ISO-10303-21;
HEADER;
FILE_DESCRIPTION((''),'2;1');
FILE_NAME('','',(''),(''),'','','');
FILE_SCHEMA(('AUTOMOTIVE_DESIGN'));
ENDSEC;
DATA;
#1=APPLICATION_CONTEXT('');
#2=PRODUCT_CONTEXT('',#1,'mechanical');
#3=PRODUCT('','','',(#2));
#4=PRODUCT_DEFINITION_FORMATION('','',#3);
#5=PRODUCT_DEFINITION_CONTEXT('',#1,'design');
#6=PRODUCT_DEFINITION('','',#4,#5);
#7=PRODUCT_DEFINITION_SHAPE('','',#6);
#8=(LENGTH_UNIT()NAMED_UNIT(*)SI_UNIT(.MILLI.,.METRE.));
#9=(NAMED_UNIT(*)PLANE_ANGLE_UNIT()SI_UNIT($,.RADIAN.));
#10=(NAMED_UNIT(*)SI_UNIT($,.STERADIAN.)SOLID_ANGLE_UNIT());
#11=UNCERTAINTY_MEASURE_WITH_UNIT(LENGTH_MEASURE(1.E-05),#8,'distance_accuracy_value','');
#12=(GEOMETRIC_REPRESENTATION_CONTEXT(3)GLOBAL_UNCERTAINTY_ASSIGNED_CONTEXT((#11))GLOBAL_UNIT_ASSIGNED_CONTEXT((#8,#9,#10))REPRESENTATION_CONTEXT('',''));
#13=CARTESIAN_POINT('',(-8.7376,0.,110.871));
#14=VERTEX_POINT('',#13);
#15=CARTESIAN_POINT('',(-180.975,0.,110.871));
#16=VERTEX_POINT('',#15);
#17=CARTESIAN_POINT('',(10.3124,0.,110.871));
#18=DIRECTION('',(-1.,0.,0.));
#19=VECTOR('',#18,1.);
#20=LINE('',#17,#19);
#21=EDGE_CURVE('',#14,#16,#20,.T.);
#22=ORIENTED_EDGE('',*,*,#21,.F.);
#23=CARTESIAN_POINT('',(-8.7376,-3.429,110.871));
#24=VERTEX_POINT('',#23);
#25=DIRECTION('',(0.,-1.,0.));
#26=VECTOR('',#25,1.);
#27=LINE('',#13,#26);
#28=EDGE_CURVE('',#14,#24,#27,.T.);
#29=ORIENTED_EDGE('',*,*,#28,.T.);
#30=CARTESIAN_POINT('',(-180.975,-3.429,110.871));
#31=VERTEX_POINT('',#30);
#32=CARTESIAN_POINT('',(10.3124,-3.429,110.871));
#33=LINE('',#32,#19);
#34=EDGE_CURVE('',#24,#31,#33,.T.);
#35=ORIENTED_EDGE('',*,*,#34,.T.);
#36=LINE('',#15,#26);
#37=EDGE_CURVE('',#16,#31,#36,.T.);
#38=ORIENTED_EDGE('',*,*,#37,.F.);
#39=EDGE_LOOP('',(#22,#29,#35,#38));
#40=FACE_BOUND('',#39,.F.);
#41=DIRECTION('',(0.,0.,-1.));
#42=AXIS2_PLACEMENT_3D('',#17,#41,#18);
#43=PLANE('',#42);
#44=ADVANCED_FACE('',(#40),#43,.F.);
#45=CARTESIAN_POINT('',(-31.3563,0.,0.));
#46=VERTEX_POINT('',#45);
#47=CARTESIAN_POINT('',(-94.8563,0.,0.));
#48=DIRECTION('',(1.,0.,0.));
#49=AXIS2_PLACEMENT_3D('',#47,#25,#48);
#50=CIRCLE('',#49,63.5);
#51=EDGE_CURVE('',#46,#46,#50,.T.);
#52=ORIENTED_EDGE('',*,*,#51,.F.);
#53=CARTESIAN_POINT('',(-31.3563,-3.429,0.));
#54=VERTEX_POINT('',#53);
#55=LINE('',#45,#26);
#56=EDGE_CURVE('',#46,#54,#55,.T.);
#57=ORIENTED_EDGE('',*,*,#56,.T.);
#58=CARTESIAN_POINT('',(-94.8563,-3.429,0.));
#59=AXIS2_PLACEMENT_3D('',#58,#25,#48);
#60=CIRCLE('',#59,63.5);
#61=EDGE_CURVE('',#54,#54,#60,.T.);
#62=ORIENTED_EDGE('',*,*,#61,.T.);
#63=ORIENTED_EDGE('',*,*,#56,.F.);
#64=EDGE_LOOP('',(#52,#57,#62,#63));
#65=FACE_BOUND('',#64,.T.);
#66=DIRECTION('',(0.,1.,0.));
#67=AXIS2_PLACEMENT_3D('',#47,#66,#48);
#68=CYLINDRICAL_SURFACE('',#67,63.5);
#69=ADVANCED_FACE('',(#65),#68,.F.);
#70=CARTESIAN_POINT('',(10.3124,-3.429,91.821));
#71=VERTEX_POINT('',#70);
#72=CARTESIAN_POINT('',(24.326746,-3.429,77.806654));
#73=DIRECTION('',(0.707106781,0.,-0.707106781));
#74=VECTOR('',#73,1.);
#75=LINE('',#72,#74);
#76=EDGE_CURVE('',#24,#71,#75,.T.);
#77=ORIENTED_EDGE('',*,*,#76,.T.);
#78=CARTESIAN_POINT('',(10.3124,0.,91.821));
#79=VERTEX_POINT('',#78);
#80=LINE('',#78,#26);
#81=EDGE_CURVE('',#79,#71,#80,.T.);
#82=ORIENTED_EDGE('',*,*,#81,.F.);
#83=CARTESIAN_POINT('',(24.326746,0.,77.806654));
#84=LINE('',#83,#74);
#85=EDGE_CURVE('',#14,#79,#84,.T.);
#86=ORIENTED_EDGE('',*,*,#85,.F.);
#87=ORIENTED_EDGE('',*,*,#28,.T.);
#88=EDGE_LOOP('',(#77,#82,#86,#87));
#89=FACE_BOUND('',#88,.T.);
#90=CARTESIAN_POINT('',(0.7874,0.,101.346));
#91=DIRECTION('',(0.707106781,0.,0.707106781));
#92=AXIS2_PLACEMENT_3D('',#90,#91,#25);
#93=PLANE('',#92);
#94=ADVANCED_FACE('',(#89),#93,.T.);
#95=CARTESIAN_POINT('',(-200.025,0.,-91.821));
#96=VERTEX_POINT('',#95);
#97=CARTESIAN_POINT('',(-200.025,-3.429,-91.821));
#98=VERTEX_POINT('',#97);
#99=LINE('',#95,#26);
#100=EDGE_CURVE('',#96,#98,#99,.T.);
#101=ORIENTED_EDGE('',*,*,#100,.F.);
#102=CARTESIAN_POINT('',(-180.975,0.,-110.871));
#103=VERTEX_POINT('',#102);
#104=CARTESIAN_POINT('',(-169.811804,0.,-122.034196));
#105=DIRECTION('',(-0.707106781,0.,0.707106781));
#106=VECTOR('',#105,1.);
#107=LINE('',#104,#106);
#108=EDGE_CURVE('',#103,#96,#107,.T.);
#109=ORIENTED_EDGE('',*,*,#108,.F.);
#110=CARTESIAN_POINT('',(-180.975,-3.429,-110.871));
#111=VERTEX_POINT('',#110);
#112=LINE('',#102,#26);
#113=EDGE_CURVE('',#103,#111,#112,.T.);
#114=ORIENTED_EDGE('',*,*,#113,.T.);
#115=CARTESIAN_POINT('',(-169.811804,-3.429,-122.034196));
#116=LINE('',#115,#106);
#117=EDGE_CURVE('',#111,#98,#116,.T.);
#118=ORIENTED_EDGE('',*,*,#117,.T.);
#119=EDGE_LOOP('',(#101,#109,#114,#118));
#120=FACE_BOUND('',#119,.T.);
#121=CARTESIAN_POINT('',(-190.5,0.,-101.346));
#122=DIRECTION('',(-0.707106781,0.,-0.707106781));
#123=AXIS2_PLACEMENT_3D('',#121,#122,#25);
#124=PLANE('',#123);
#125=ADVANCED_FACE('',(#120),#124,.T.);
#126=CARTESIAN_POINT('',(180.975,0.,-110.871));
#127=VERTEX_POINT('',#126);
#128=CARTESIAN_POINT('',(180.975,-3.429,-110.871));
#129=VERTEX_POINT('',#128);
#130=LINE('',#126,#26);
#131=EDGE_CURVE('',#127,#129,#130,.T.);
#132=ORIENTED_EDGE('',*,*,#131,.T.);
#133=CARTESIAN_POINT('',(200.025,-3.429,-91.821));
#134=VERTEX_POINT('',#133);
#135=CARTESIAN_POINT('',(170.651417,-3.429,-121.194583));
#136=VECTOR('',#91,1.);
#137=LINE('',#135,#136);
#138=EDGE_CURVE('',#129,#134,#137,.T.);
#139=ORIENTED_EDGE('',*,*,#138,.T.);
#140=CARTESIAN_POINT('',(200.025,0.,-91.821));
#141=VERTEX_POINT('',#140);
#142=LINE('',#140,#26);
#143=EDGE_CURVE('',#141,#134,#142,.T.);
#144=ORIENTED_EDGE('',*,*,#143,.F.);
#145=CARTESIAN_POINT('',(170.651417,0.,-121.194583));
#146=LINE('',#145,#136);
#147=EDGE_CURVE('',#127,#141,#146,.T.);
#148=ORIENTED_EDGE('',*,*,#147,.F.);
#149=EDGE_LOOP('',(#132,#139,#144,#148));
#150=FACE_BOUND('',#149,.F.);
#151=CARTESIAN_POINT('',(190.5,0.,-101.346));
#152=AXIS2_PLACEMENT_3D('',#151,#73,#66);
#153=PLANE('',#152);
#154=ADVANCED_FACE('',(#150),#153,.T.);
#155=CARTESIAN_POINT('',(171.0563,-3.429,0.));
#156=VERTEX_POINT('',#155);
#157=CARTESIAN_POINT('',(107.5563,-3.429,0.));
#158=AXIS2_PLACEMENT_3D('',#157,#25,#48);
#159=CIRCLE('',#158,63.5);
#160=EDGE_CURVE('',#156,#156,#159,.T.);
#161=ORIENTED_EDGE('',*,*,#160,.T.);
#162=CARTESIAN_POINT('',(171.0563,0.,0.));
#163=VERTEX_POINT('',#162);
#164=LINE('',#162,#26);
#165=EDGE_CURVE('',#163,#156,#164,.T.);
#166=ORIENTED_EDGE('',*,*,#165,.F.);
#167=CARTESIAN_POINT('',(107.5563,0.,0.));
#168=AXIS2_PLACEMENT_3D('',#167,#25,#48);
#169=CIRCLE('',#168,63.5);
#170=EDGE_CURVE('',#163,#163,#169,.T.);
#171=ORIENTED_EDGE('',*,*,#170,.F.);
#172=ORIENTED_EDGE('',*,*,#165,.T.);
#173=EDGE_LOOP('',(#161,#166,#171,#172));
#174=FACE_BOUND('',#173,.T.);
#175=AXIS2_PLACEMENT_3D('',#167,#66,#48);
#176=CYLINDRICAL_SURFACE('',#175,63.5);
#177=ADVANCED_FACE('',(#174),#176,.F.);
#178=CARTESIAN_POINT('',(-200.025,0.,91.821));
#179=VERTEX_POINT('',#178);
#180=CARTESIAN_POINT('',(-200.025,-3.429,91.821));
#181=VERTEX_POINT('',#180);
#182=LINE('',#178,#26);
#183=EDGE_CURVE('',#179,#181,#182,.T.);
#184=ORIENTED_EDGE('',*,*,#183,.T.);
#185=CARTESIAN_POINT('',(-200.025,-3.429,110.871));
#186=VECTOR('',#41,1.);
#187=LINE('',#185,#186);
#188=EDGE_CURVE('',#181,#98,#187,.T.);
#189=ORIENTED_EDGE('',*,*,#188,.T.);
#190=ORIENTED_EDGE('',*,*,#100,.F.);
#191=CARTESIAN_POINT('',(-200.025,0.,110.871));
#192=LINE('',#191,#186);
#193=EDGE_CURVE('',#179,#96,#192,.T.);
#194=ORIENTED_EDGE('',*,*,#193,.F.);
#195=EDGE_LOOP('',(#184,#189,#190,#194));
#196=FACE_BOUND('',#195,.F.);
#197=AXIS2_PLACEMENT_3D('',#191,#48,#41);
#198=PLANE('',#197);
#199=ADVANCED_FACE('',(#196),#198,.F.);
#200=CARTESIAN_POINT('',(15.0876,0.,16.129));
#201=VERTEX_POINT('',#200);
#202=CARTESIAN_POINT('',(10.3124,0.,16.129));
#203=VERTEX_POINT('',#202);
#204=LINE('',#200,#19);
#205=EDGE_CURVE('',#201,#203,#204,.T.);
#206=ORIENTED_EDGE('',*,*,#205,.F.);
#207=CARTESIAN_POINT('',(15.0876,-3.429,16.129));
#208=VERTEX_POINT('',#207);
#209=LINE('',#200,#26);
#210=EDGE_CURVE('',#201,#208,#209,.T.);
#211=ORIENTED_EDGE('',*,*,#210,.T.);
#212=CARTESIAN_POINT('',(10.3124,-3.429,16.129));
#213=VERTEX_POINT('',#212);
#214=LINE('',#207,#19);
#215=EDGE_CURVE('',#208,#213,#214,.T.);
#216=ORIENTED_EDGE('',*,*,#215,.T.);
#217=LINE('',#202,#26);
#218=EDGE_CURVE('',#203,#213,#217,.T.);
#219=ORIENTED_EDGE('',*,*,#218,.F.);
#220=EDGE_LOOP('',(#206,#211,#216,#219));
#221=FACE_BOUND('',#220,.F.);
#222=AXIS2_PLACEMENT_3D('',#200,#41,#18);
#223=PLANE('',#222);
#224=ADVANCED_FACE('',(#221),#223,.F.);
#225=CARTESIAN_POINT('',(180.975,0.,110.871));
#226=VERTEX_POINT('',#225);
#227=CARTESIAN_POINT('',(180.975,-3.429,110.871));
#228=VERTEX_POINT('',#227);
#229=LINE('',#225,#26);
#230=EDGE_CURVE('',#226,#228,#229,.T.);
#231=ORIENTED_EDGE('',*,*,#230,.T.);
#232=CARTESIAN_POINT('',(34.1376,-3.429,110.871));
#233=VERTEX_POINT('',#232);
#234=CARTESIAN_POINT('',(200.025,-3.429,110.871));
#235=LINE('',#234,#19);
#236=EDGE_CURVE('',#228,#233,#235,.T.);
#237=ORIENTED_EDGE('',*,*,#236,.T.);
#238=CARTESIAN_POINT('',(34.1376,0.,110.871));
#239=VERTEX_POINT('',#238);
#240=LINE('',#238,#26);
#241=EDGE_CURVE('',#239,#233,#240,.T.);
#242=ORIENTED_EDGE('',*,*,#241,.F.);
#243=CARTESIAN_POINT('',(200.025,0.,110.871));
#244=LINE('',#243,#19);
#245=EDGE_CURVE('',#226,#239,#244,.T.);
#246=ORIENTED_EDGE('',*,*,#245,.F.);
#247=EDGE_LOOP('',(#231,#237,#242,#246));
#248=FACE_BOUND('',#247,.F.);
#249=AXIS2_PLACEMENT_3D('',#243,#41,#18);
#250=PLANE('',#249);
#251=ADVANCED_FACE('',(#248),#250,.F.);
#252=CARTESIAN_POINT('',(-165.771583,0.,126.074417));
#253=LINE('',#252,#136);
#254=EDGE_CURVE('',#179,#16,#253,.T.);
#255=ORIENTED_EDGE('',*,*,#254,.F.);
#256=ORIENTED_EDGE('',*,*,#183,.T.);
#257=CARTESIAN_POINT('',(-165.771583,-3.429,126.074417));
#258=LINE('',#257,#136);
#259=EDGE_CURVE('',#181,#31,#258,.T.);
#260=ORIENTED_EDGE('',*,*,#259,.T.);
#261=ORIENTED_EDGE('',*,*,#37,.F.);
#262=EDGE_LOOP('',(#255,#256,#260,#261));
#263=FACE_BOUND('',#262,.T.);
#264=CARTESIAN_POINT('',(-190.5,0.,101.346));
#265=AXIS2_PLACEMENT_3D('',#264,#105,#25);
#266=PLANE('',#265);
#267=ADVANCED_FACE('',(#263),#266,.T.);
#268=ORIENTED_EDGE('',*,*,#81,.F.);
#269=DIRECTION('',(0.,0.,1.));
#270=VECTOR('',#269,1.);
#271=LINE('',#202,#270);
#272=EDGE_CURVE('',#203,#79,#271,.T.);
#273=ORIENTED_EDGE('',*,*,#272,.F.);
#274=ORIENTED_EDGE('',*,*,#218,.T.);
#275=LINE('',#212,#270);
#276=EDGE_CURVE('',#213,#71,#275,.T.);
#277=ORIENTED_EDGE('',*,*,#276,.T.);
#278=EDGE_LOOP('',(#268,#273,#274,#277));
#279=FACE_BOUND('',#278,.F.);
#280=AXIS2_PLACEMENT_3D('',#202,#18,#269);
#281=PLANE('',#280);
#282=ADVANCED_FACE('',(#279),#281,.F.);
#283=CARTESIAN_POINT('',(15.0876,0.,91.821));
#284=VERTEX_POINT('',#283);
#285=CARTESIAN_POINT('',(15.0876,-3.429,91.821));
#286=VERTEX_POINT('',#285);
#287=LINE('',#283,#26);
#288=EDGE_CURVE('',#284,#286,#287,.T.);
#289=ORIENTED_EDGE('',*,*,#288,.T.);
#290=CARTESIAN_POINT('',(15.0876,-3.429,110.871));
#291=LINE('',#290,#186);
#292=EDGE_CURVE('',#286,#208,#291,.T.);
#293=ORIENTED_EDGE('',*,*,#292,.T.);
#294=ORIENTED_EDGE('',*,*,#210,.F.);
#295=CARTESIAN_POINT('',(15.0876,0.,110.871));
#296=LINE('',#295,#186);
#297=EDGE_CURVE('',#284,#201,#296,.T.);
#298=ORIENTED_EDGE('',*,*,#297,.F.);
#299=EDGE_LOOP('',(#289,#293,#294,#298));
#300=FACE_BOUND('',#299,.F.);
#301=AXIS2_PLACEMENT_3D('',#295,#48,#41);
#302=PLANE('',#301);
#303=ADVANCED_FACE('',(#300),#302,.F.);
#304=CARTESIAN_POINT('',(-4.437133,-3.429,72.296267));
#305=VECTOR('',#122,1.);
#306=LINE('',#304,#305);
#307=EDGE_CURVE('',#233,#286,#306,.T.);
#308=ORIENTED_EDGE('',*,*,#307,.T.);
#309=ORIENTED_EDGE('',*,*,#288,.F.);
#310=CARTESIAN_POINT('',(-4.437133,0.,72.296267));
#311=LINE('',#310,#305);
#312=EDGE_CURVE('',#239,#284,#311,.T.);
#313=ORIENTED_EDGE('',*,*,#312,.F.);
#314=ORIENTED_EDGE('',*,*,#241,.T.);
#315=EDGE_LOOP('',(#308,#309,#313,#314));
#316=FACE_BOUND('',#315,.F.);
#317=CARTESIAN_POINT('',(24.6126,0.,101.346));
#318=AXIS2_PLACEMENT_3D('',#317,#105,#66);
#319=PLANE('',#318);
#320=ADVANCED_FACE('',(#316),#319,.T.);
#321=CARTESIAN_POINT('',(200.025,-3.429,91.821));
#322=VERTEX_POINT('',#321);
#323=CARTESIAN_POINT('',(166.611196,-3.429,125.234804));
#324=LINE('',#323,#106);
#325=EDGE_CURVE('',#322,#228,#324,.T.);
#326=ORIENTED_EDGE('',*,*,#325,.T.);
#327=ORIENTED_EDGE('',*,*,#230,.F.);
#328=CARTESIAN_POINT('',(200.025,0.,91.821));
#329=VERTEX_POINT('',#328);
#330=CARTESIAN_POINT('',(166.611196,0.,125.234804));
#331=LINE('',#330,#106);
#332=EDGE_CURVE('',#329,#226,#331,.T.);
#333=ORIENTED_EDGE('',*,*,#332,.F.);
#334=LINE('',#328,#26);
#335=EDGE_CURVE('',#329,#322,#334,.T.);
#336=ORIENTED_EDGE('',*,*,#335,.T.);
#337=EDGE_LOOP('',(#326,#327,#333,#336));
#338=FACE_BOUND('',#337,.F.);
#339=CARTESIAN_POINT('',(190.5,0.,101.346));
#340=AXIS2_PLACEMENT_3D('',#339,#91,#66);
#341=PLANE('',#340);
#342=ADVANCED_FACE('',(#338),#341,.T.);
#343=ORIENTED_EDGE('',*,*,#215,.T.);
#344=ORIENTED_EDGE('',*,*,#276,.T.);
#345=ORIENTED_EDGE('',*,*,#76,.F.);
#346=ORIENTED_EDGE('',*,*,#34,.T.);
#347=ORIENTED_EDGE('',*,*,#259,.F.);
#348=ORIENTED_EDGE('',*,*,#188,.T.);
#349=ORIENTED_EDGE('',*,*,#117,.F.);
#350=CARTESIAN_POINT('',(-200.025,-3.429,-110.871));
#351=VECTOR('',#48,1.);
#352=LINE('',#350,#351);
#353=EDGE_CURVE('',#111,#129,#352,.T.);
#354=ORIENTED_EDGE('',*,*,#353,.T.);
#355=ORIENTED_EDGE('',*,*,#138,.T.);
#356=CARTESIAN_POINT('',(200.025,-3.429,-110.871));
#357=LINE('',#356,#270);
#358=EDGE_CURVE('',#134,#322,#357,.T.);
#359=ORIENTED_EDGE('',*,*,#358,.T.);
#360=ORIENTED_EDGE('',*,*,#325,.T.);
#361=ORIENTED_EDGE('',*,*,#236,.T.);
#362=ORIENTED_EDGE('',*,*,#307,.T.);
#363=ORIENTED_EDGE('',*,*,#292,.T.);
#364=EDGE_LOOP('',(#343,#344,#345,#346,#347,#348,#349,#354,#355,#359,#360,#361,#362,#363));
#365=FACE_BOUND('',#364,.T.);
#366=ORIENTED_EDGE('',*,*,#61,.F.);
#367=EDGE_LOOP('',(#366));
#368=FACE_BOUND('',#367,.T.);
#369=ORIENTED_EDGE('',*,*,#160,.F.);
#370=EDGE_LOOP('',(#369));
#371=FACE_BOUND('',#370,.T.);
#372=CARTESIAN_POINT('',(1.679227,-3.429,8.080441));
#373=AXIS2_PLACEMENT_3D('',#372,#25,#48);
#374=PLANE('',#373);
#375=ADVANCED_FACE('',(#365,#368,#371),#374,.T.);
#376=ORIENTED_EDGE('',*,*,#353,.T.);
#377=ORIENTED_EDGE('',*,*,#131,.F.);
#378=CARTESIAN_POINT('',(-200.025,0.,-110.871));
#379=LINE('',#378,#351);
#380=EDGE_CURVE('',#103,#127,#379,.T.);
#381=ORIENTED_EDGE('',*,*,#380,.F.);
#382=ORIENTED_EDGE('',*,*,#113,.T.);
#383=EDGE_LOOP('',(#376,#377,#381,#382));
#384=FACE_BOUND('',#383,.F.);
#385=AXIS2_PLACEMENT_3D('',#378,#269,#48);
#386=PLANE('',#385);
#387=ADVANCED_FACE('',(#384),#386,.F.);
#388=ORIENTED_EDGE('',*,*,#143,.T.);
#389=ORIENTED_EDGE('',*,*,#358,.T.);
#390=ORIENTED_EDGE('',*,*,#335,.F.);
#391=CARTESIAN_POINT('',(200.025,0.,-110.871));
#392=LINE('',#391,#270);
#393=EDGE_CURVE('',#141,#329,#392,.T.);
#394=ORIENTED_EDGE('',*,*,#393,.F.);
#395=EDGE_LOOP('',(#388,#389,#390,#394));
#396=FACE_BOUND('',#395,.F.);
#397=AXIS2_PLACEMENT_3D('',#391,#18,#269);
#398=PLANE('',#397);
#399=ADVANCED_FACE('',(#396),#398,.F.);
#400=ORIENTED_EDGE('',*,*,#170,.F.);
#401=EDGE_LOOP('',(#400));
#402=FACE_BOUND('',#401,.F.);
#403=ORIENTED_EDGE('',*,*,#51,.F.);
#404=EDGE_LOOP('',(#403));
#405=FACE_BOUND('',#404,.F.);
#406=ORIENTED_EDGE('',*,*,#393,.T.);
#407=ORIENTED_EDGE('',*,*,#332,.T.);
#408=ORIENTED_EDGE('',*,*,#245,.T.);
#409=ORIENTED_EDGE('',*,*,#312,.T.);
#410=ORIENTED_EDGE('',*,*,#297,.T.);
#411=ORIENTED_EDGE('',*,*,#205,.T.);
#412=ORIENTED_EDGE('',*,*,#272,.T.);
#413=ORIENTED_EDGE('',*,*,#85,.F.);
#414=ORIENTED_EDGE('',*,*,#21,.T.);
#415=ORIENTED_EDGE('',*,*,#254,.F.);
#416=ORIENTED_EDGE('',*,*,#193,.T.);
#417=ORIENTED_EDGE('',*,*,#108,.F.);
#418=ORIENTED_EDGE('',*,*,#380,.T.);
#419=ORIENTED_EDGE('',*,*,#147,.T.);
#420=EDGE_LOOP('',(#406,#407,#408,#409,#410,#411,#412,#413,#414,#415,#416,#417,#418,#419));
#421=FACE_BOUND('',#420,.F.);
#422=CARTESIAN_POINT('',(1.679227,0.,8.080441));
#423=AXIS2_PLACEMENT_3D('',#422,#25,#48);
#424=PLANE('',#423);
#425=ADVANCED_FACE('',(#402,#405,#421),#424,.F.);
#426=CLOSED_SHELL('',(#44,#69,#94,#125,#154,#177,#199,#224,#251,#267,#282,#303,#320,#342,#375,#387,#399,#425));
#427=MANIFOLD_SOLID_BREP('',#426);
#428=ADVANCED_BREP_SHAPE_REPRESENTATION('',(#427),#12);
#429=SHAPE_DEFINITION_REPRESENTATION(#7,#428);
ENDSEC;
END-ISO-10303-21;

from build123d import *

# Parameters (mm, degrees)
F0_R     = 63.5
F1_DEPTH = 3.429
F2_SIZE  = 19.05


with BuildPart() as f1:
    # F0 (on Front) → F1 (new body)
    with BuildSketch(Plane.XZ):
        Polygon((-200.025, -110.871), (200.025, -110.871), (200.025, 110.871), (15.0876, 110.871), (15.0876, 16.129), (10.3124, 16.129), (10.3124, 110.871), (-200.025, 110.871), align=None)
        with Locations((-94.8563, 0)):
            Circle(F0_R, mode=Mode.SUBTRACT)
        with Locations((107.5563, 0)):
            Circle(F0_R, mode=Mode.SUBTRACT)
    extrude(amount=F1_DEPTH)

    # F2
    f2_edges = [f1.edges().sort_by_distance(p)[0] for p in [
        (-200.025, -1.7145, 110.871),
        (10.3124, -1.7145, 110.871),
        (15.0876, -1.7145, 110.871),
        (200.025, -1.7145, 110.871),
        (200.025, -1.7145, -110.871),
        (-200.025, -1.7145, -110.871),
    ]]
    chamfer(f2_edges, length=F2_SIZE)


solid = f1.part
